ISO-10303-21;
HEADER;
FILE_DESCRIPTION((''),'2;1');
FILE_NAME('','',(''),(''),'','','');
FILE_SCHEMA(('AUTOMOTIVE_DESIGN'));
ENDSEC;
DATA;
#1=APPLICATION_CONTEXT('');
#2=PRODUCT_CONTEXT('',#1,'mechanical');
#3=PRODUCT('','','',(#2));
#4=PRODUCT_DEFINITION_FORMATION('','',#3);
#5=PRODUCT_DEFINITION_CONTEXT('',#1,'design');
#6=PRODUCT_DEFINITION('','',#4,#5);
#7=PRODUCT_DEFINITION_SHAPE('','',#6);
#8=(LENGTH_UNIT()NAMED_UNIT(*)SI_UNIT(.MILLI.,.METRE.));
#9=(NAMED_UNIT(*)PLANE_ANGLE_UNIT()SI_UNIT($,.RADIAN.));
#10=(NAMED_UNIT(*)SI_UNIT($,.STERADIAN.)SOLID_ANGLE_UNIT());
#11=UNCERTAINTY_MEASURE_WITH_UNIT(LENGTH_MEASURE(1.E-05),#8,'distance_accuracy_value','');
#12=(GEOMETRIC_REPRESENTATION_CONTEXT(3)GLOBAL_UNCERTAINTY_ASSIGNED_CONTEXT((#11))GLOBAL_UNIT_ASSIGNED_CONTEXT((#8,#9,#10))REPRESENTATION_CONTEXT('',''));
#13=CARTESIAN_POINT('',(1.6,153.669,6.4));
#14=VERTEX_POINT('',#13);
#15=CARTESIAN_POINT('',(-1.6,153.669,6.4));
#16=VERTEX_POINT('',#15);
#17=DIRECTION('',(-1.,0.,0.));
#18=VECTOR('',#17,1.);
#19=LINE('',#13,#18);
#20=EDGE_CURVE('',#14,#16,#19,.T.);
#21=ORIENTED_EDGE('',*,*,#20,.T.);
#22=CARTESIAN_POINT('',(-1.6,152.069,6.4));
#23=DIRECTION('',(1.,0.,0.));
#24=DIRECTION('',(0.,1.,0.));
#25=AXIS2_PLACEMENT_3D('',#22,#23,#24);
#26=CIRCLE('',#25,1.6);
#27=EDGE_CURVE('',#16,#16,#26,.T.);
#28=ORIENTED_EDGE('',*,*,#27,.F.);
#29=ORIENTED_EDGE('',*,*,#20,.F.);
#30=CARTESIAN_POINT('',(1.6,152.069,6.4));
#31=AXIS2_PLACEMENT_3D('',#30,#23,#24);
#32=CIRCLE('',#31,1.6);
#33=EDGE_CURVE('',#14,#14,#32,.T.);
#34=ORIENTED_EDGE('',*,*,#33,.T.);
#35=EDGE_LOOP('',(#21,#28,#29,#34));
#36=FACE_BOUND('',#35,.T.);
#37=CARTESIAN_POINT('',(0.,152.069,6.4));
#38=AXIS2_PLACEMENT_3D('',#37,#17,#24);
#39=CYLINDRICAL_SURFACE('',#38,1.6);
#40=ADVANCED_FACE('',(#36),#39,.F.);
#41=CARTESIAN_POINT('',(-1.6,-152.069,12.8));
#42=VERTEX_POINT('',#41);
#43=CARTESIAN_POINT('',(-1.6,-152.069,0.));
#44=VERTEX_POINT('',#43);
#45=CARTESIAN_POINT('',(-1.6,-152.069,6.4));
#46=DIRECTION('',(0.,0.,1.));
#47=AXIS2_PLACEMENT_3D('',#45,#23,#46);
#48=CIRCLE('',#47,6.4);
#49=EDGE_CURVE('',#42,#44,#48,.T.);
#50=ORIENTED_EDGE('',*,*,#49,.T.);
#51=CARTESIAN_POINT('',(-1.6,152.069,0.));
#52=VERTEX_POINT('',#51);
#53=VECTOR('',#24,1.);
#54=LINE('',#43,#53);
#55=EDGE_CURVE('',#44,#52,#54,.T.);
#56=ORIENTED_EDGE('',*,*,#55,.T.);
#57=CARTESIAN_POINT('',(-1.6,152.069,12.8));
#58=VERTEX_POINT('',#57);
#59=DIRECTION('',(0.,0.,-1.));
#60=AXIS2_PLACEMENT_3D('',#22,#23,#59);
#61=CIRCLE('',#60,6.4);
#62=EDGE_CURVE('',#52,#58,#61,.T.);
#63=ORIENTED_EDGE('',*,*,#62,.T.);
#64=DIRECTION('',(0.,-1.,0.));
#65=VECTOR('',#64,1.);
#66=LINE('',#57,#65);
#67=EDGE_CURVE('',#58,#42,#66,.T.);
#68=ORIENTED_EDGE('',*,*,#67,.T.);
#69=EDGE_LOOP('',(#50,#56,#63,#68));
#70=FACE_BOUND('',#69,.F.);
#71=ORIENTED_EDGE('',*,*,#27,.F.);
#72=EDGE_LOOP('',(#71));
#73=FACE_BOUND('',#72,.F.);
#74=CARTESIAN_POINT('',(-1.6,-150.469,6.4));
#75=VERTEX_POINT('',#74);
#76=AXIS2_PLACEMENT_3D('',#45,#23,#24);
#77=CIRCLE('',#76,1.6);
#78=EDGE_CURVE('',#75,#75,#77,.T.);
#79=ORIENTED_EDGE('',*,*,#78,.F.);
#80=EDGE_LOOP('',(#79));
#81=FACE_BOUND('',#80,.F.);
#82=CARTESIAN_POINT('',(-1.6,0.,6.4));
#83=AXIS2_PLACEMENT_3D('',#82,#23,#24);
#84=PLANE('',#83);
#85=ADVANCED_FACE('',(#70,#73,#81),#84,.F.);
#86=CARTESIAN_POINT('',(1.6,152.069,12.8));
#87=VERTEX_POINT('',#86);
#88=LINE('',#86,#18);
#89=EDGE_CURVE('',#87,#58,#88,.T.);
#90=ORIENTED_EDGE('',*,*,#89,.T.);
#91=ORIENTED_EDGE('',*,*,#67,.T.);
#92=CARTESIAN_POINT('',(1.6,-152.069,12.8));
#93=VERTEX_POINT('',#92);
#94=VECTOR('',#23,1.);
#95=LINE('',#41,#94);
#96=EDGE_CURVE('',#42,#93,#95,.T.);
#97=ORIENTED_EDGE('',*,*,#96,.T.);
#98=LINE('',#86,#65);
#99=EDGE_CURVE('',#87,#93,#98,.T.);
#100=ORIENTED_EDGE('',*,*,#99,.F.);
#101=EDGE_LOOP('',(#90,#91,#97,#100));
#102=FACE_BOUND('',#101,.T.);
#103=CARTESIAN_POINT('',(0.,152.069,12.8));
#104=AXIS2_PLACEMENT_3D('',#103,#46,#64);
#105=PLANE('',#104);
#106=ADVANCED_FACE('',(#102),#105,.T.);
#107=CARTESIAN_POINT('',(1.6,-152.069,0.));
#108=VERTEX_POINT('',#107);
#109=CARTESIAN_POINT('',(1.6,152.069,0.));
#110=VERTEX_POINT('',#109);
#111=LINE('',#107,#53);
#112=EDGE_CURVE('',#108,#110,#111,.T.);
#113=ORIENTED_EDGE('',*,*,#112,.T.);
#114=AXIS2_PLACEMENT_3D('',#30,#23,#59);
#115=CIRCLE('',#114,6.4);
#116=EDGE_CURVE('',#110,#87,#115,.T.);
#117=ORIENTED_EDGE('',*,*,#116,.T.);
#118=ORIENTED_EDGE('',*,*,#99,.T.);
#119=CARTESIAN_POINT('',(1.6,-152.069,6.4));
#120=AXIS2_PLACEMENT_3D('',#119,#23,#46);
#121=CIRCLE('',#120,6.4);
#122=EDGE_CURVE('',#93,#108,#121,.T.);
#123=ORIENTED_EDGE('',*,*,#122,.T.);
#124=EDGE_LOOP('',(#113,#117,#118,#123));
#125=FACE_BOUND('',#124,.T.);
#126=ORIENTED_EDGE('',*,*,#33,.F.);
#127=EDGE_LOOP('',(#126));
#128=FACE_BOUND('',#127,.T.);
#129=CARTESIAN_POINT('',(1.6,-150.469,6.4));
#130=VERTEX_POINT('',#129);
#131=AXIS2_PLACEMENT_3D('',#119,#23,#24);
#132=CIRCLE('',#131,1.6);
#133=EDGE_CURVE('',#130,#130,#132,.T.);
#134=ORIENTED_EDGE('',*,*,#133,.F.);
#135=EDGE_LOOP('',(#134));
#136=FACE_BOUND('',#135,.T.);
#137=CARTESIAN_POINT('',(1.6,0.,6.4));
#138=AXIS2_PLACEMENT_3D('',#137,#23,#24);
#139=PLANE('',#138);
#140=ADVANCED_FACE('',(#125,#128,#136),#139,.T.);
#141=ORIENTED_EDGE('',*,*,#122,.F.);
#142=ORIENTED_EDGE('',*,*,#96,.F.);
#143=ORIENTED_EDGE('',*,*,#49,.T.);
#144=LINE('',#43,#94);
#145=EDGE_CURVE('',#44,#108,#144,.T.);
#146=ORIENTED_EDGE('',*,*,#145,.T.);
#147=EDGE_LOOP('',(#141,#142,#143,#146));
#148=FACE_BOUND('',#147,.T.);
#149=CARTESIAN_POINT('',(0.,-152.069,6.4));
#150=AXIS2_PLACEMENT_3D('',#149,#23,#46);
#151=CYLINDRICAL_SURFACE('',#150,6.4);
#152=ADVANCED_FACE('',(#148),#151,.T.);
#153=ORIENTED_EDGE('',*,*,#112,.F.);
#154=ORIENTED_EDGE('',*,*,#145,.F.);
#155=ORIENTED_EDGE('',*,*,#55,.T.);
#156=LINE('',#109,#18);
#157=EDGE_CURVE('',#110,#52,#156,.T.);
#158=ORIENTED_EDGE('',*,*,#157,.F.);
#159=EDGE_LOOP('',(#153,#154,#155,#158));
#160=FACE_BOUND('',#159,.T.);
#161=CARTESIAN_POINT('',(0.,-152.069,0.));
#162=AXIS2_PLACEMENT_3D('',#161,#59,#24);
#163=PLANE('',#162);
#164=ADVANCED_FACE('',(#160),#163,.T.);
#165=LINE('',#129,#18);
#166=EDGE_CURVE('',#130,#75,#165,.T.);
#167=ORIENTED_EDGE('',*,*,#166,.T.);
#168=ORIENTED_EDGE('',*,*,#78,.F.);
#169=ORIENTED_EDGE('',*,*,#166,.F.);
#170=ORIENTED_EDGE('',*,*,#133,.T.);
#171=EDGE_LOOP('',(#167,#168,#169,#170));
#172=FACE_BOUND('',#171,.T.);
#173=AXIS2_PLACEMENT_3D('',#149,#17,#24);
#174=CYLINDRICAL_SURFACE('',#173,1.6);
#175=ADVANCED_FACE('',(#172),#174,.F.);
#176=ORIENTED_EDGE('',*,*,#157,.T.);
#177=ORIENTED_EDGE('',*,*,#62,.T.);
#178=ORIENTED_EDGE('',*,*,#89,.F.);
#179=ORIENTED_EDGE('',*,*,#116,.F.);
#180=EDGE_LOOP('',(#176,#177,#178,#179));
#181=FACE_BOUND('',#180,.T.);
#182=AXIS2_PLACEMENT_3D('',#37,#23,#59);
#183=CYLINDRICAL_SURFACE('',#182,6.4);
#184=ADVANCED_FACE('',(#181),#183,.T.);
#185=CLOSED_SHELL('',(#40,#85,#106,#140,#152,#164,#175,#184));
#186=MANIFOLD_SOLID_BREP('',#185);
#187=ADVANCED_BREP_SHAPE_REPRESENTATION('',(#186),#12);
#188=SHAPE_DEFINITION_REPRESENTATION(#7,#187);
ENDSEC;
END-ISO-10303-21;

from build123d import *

# Parameters (mm, degrees)
F0_R     = 1.6
F1_DEPTH = 1.6


with BuildPart() as f1:
    # F0 (on Right) → F1 (new body, symmetric)
    with BuildSketch(Plane.YZ):
        with BuildLine():
            Line((152.069, 12.8), (-152.069, 12.8))
            ThreePointArc((-152.069, 12.8), (-158.469, 6.4), (-152.069, 0))
            Line((-152.069, 0), (152.069, 0))
            ThreePointArc((152.069, 0), (158.469, 6.4), (152.069, 12.8))
        make_face()
        with Locations((-152.069, 6.4)):
            Circle(F0_R, mode=Mode.SUBTRACT)
        with Locations((152.069, 6.4)):
            Circle(F0_R, mode=Mode.SUBTRACT)
    extrude(amount=F1_DEPTH, both=True)


solid = f1.part
